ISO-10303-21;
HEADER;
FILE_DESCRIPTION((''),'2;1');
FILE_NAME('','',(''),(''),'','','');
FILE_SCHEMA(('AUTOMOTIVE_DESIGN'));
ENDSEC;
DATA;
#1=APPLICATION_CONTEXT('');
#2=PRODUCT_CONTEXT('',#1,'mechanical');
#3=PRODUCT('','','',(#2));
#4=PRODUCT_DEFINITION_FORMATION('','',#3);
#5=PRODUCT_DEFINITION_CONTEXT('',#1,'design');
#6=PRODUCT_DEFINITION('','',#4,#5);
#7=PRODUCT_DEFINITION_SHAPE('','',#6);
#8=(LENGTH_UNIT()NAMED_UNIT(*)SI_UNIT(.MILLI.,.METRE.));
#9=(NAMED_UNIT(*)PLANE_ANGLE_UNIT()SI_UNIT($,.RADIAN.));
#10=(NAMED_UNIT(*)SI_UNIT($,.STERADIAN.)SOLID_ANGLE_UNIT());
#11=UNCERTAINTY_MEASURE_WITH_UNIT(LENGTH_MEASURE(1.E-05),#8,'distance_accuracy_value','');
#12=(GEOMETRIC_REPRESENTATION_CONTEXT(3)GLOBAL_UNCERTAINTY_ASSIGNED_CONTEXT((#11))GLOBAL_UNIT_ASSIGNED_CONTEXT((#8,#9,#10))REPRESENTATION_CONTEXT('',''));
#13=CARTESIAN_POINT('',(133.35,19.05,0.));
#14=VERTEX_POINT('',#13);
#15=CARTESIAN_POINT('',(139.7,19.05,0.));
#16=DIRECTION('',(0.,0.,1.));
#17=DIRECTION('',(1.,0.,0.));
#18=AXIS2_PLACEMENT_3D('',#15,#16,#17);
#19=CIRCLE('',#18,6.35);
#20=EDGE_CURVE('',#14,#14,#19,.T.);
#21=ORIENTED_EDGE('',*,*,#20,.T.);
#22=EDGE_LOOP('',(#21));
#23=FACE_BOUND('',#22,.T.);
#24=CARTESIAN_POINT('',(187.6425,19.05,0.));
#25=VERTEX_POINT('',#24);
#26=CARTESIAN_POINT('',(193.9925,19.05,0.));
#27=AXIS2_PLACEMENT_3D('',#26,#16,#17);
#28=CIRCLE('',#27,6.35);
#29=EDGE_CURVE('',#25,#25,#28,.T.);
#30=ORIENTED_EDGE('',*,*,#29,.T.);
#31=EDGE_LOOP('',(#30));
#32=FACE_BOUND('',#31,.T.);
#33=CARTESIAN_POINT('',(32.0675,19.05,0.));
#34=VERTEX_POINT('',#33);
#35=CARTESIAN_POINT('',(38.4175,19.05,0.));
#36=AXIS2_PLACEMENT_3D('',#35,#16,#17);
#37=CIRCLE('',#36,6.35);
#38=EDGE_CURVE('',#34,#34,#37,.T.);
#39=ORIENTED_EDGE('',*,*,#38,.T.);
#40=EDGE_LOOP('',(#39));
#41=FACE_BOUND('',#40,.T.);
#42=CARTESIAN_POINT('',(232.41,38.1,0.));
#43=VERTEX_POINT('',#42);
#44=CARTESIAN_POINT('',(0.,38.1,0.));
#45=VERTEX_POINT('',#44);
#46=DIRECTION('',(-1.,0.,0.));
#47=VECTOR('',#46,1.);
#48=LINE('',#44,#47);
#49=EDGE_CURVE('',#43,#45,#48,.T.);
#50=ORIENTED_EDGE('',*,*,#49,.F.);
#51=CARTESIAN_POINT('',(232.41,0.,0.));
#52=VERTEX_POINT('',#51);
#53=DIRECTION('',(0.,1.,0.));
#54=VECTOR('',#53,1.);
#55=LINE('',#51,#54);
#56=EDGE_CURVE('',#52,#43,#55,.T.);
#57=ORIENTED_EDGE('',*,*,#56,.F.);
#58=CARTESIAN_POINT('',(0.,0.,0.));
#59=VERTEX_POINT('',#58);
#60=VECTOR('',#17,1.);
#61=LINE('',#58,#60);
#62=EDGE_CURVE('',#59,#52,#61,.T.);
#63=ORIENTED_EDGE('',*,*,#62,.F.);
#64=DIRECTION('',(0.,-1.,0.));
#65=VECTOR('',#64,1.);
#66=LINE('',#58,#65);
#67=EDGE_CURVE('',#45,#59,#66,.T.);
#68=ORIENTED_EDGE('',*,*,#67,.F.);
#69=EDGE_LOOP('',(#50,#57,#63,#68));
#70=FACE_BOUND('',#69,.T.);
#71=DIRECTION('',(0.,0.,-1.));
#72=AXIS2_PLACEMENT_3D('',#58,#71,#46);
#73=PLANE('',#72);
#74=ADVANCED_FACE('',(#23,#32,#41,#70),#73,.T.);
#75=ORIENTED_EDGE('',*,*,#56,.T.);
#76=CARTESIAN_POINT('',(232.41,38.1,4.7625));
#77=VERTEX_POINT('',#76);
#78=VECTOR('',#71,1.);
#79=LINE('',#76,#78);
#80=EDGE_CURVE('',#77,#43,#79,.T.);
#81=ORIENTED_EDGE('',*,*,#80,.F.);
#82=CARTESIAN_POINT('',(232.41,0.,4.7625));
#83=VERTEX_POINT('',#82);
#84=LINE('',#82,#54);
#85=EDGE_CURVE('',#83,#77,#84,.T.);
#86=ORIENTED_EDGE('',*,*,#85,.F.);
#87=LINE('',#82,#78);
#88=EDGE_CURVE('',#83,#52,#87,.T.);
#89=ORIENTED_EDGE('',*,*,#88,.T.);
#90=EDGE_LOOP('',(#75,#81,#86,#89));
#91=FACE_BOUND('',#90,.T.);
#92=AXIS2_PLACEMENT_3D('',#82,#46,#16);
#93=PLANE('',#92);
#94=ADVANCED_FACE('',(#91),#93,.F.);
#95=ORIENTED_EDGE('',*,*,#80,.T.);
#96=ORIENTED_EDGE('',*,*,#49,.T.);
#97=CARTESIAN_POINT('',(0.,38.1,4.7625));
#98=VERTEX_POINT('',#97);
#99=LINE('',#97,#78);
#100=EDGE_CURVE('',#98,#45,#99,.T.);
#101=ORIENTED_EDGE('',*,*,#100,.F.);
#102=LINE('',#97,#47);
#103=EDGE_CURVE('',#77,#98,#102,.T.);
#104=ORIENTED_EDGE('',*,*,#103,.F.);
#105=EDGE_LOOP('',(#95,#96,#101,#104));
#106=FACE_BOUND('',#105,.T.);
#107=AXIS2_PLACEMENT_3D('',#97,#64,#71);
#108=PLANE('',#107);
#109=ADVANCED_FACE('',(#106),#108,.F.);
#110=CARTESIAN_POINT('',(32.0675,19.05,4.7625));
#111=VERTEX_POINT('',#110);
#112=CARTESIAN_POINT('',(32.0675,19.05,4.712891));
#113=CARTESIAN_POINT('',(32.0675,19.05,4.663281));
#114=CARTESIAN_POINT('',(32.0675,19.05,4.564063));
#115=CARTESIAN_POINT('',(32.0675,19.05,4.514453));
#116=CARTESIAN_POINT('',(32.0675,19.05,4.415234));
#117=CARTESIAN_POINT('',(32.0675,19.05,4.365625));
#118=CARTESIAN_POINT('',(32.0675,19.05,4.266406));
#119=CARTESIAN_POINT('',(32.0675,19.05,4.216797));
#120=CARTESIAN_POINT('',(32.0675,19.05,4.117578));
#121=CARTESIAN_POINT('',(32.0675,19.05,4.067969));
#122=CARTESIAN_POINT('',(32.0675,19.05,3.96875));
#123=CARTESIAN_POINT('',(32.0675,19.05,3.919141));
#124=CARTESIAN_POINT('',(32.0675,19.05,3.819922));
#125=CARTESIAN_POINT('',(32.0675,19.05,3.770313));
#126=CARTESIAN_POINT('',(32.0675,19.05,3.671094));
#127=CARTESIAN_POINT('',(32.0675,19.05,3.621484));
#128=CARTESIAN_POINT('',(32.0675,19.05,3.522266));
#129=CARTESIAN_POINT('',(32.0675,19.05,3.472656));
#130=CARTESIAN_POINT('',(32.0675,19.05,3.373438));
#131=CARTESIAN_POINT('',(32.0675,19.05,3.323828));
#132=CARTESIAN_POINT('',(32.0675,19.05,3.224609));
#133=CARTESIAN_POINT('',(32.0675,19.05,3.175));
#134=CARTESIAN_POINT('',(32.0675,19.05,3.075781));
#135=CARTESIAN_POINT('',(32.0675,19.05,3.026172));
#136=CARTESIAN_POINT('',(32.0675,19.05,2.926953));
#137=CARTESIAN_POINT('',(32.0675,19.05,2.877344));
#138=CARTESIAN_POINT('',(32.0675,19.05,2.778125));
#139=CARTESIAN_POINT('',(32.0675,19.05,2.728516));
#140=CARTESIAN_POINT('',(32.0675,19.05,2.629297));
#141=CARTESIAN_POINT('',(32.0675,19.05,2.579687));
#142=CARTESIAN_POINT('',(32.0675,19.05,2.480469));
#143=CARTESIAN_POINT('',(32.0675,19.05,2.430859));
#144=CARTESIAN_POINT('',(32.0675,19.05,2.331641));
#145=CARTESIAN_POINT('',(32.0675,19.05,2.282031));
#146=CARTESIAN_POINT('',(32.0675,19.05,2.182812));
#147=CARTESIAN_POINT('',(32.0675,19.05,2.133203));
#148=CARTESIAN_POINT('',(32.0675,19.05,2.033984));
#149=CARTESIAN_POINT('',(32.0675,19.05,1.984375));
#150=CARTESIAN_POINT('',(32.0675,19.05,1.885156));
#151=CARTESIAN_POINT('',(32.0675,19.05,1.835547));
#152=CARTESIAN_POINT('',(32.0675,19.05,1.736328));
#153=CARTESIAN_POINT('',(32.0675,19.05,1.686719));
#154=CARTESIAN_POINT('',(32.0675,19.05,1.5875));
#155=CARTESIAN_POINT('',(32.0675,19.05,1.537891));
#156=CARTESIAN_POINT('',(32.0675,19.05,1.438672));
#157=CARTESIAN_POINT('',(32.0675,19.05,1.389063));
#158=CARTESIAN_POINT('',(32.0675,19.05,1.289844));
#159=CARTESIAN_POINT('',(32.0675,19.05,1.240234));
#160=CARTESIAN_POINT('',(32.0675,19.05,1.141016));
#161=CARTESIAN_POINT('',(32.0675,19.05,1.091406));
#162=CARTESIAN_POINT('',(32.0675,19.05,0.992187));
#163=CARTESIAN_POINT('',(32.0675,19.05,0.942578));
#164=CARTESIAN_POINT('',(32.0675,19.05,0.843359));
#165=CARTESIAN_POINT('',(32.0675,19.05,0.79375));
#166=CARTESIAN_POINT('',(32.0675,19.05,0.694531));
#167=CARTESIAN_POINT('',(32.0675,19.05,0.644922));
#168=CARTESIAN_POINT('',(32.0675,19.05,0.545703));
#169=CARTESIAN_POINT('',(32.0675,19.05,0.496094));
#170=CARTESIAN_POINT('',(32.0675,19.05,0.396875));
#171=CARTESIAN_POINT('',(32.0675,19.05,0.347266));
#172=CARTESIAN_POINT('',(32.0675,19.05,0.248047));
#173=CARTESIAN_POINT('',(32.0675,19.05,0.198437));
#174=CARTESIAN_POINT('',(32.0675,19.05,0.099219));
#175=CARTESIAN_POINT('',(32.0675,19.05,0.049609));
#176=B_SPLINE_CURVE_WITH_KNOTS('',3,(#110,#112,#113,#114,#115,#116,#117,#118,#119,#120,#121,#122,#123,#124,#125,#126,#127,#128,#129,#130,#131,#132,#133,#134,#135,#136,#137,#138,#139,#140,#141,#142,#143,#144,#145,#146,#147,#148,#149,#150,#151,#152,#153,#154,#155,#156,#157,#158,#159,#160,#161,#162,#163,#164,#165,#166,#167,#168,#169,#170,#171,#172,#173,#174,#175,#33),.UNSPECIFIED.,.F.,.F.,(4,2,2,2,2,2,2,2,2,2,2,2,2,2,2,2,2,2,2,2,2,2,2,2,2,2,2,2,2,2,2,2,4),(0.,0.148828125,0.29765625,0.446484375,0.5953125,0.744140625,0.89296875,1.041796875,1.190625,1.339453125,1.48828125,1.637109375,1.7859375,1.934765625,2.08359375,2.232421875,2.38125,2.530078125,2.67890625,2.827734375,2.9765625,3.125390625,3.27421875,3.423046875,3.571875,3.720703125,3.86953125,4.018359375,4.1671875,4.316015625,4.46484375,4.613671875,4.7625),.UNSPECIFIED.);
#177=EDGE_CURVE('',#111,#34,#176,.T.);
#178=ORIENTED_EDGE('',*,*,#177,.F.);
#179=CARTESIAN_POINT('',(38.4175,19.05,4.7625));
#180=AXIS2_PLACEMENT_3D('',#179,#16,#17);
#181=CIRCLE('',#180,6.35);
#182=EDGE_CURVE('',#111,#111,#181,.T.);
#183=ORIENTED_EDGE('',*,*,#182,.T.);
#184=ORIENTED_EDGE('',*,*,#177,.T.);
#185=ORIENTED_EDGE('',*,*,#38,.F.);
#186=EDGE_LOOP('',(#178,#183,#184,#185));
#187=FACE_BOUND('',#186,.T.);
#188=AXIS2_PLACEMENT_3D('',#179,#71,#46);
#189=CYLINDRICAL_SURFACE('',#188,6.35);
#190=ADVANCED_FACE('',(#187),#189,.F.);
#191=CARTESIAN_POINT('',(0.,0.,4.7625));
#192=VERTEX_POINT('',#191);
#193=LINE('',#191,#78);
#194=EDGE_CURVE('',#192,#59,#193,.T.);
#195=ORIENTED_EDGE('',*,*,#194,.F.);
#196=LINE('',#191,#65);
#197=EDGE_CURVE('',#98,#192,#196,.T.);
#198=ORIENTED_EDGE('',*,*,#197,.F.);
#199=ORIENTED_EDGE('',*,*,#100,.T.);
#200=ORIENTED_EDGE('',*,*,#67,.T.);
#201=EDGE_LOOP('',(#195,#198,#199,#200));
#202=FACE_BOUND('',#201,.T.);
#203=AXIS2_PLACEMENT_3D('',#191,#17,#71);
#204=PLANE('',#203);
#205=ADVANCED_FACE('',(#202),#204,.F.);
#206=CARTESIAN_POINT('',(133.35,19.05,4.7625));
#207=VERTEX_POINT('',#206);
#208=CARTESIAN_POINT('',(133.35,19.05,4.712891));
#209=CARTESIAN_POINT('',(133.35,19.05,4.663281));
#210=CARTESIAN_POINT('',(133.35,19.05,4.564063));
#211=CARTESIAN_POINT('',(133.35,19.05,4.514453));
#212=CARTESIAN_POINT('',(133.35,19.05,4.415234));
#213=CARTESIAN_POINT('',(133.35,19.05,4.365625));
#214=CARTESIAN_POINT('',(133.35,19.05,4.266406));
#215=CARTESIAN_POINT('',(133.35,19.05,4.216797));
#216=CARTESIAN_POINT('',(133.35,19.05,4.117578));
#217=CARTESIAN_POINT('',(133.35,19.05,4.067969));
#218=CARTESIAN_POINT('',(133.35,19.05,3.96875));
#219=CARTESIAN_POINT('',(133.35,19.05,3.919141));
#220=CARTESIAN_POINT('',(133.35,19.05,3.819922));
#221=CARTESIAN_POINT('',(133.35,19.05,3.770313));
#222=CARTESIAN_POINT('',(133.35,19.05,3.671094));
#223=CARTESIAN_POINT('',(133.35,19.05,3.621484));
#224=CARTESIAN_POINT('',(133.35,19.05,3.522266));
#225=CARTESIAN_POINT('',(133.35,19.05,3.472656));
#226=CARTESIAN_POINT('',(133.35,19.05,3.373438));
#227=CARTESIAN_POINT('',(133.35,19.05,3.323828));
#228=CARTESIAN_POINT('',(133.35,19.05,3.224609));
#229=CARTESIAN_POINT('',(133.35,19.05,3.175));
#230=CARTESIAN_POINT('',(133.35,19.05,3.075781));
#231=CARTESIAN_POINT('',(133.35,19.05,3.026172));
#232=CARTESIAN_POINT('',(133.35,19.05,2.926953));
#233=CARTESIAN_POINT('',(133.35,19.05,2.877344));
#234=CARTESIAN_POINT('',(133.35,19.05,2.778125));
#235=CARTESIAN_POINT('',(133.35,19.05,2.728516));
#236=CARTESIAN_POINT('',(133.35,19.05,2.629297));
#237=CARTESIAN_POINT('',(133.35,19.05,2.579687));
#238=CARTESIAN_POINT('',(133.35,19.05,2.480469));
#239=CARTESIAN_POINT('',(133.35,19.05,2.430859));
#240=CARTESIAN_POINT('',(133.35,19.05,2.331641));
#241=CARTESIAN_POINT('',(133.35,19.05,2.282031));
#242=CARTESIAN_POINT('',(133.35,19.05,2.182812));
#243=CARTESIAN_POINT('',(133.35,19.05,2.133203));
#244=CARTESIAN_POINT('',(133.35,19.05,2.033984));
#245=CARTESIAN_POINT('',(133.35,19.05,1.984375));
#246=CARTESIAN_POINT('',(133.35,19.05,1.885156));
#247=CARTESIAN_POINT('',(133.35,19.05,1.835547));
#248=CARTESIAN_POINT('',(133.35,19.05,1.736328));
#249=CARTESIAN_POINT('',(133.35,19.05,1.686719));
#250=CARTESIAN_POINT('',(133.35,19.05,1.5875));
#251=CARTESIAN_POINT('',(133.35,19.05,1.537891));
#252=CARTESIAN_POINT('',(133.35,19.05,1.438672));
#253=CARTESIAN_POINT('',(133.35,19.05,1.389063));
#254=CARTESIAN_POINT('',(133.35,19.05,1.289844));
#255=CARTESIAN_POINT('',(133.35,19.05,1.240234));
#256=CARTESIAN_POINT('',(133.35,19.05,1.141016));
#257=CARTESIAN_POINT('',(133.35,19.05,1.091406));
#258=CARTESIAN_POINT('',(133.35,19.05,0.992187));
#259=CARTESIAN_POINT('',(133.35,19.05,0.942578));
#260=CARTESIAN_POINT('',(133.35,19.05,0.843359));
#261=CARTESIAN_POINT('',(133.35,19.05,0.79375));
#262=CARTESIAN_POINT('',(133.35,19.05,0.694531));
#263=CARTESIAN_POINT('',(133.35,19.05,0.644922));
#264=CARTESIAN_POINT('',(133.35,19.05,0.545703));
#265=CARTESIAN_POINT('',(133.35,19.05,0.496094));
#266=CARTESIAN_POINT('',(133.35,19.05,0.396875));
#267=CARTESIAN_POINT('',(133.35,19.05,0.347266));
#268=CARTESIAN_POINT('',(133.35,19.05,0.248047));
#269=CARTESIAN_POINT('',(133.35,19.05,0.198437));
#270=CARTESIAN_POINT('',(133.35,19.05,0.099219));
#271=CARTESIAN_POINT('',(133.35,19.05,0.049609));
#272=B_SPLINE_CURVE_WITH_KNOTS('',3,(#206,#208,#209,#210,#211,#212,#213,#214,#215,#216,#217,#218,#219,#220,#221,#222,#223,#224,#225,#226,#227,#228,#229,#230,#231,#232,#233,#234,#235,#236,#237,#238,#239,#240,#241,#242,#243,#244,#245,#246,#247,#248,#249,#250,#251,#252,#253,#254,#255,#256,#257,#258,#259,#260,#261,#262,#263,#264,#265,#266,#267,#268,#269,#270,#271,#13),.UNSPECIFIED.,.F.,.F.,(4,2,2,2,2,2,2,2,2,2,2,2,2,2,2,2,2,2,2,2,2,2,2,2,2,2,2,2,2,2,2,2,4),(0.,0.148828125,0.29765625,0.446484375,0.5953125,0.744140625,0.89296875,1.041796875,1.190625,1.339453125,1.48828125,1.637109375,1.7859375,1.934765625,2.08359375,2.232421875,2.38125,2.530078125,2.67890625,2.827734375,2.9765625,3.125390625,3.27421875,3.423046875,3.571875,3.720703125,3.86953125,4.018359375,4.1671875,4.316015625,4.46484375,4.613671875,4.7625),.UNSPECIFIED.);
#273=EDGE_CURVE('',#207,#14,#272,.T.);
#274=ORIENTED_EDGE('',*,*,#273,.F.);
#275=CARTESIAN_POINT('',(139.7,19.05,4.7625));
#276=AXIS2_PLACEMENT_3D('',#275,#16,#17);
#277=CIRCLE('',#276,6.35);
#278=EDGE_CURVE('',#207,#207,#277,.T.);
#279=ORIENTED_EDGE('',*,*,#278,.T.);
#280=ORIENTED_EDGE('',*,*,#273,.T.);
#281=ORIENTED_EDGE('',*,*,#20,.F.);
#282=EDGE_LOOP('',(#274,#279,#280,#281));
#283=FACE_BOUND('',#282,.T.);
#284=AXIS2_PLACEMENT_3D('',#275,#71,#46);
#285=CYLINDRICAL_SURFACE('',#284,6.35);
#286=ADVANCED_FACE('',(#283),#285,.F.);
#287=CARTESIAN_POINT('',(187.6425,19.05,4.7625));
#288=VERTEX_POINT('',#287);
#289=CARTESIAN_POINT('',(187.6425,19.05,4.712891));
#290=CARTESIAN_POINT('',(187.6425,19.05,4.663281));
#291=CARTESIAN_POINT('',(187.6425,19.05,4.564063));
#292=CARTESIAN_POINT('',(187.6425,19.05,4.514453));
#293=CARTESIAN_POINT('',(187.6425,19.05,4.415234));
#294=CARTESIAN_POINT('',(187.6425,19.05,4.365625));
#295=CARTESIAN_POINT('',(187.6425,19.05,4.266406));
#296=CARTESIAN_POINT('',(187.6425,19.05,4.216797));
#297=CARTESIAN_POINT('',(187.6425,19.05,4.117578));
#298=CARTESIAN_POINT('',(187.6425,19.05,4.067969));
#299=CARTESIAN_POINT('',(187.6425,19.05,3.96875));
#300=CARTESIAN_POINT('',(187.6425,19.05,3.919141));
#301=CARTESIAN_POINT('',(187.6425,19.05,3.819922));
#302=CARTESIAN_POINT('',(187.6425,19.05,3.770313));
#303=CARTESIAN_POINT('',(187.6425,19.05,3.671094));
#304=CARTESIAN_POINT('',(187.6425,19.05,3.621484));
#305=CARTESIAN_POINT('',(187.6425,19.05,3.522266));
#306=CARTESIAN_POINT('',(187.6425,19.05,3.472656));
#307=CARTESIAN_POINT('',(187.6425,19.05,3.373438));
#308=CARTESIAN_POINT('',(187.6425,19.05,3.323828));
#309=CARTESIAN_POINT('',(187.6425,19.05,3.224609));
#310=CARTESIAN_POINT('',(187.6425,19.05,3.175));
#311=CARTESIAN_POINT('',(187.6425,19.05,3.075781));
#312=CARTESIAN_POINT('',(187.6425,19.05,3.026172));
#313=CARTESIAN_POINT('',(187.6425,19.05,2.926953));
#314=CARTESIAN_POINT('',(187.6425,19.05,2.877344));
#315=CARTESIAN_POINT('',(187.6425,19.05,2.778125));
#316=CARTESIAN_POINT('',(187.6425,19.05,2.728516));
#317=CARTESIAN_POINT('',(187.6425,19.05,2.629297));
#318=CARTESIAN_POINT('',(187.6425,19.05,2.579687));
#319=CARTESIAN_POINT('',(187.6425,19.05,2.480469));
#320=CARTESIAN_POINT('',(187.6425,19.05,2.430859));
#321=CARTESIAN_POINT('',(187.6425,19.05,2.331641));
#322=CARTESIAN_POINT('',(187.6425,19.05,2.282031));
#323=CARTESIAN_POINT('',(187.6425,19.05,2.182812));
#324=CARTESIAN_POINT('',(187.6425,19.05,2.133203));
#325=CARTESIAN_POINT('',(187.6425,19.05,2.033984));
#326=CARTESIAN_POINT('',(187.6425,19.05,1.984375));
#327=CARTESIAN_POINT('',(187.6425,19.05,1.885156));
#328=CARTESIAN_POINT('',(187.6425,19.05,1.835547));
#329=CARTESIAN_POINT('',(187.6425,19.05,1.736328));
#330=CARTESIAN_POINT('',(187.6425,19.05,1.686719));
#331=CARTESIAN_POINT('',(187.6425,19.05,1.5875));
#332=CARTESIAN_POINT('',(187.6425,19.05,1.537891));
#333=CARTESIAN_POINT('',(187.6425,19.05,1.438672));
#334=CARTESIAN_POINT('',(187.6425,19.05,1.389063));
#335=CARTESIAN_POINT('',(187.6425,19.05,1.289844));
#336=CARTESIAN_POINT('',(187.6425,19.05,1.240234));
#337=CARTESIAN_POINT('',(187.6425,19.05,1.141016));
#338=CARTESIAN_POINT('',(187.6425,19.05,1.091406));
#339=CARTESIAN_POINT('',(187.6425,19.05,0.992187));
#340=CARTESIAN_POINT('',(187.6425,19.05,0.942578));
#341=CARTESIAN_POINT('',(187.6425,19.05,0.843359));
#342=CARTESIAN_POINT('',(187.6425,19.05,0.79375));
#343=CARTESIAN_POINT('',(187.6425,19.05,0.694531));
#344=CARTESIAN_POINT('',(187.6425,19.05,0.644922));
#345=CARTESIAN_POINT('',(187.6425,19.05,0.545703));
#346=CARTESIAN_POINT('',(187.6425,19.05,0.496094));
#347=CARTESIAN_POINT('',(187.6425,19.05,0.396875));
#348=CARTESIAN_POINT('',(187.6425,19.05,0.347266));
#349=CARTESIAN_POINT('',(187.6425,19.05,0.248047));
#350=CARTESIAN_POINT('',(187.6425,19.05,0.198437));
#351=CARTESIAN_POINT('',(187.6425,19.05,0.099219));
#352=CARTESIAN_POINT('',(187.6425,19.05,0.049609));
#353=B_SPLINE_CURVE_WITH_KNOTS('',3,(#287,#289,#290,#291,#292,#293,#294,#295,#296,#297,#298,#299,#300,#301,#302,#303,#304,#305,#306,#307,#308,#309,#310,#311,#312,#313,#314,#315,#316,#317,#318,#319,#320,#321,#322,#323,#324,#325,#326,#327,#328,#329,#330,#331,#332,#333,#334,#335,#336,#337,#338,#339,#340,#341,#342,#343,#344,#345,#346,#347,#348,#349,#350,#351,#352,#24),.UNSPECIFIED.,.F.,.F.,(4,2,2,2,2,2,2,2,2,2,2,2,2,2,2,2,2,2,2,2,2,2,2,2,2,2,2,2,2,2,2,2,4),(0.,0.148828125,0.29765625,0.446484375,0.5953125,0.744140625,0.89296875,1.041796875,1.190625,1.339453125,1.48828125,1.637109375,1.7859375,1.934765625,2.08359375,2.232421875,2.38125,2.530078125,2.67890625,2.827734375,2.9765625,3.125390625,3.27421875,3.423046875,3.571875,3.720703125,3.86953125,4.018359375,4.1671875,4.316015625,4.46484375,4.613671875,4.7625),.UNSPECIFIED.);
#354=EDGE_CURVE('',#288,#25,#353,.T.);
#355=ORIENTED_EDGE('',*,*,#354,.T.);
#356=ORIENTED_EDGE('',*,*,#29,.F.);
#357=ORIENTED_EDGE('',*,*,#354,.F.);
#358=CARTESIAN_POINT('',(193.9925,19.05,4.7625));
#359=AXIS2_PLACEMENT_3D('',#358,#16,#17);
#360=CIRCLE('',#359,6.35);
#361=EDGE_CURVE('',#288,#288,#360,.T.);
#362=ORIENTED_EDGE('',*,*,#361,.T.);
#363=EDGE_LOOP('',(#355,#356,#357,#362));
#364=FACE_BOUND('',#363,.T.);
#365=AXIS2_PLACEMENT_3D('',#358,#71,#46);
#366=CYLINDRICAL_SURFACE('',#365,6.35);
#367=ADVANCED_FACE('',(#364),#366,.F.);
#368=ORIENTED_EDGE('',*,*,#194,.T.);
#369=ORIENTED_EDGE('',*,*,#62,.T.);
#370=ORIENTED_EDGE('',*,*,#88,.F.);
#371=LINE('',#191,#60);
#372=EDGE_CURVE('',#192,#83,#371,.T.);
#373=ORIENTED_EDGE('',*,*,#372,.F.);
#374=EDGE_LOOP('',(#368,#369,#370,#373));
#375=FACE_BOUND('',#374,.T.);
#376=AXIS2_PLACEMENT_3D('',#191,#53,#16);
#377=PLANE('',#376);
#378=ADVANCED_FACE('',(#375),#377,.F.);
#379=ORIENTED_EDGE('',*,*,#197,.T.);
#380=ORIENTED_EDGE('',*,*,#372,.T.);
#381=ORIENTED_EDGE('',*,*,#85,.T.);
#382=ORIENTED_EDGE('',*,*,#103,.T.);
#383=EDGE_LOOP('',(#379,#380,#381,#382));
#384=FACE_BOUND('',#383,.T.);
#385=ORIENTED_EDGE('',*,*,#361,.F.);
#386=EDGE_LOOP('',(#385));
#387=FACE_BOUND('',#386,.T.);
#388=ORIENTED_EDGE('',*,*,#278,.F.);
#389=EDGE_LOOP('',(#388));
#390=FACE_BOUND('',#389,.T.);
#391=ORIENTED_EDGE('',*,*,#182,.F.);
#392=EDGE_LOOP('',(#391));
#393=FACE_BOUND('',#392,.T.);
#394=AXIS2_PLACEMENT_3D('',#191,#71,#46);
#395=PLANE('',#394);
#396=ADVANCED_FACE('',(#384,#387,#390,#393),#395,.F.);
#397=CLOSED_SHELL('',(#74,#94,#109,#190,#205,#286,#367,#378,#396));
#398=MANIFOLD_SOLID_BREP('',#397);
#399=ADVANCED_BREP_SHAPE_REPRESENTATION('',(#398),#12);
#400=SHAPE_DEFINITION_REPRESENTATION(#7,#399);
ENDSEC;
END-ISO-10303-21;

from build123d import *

# Parameters (mm, degrees)
SKETCH1_W           = 232.41
SKETCH1_H           = 38.1
SKETCH1_R           = 6.35
BOSS_EXTRUDE1_DEPTH = 4.7625


with BuildPart() as part:
    # Sketch1 → Boss-Extrude1 (new body)
    with BuildSketch(Plane.XY):
        with Locations((116.205, 19.05)):
            Rectangle(SKETCH1_W, SKETCH1_H)
        with Locations(Location((38.4175, 19.05, 0), (0, 0, 180))):
            Circle(SKETCH1_R, mode=Mode.SUBTRACT)
        with Locations(Location((193.9925, 19.05, 0), (0, 0, 180))):
            Circle(SKETCH1_R, mode=Mode.SUBTRACT)
        with Locations(Location((139.7, 19.05, 0), (0, 0, 180))):
            Circle(SKETCH1_R, mode=Mode.SUBTRACT)
    extrude(amount=BOSS_EXTRUDE1_DEPTH)


solid = part.part
